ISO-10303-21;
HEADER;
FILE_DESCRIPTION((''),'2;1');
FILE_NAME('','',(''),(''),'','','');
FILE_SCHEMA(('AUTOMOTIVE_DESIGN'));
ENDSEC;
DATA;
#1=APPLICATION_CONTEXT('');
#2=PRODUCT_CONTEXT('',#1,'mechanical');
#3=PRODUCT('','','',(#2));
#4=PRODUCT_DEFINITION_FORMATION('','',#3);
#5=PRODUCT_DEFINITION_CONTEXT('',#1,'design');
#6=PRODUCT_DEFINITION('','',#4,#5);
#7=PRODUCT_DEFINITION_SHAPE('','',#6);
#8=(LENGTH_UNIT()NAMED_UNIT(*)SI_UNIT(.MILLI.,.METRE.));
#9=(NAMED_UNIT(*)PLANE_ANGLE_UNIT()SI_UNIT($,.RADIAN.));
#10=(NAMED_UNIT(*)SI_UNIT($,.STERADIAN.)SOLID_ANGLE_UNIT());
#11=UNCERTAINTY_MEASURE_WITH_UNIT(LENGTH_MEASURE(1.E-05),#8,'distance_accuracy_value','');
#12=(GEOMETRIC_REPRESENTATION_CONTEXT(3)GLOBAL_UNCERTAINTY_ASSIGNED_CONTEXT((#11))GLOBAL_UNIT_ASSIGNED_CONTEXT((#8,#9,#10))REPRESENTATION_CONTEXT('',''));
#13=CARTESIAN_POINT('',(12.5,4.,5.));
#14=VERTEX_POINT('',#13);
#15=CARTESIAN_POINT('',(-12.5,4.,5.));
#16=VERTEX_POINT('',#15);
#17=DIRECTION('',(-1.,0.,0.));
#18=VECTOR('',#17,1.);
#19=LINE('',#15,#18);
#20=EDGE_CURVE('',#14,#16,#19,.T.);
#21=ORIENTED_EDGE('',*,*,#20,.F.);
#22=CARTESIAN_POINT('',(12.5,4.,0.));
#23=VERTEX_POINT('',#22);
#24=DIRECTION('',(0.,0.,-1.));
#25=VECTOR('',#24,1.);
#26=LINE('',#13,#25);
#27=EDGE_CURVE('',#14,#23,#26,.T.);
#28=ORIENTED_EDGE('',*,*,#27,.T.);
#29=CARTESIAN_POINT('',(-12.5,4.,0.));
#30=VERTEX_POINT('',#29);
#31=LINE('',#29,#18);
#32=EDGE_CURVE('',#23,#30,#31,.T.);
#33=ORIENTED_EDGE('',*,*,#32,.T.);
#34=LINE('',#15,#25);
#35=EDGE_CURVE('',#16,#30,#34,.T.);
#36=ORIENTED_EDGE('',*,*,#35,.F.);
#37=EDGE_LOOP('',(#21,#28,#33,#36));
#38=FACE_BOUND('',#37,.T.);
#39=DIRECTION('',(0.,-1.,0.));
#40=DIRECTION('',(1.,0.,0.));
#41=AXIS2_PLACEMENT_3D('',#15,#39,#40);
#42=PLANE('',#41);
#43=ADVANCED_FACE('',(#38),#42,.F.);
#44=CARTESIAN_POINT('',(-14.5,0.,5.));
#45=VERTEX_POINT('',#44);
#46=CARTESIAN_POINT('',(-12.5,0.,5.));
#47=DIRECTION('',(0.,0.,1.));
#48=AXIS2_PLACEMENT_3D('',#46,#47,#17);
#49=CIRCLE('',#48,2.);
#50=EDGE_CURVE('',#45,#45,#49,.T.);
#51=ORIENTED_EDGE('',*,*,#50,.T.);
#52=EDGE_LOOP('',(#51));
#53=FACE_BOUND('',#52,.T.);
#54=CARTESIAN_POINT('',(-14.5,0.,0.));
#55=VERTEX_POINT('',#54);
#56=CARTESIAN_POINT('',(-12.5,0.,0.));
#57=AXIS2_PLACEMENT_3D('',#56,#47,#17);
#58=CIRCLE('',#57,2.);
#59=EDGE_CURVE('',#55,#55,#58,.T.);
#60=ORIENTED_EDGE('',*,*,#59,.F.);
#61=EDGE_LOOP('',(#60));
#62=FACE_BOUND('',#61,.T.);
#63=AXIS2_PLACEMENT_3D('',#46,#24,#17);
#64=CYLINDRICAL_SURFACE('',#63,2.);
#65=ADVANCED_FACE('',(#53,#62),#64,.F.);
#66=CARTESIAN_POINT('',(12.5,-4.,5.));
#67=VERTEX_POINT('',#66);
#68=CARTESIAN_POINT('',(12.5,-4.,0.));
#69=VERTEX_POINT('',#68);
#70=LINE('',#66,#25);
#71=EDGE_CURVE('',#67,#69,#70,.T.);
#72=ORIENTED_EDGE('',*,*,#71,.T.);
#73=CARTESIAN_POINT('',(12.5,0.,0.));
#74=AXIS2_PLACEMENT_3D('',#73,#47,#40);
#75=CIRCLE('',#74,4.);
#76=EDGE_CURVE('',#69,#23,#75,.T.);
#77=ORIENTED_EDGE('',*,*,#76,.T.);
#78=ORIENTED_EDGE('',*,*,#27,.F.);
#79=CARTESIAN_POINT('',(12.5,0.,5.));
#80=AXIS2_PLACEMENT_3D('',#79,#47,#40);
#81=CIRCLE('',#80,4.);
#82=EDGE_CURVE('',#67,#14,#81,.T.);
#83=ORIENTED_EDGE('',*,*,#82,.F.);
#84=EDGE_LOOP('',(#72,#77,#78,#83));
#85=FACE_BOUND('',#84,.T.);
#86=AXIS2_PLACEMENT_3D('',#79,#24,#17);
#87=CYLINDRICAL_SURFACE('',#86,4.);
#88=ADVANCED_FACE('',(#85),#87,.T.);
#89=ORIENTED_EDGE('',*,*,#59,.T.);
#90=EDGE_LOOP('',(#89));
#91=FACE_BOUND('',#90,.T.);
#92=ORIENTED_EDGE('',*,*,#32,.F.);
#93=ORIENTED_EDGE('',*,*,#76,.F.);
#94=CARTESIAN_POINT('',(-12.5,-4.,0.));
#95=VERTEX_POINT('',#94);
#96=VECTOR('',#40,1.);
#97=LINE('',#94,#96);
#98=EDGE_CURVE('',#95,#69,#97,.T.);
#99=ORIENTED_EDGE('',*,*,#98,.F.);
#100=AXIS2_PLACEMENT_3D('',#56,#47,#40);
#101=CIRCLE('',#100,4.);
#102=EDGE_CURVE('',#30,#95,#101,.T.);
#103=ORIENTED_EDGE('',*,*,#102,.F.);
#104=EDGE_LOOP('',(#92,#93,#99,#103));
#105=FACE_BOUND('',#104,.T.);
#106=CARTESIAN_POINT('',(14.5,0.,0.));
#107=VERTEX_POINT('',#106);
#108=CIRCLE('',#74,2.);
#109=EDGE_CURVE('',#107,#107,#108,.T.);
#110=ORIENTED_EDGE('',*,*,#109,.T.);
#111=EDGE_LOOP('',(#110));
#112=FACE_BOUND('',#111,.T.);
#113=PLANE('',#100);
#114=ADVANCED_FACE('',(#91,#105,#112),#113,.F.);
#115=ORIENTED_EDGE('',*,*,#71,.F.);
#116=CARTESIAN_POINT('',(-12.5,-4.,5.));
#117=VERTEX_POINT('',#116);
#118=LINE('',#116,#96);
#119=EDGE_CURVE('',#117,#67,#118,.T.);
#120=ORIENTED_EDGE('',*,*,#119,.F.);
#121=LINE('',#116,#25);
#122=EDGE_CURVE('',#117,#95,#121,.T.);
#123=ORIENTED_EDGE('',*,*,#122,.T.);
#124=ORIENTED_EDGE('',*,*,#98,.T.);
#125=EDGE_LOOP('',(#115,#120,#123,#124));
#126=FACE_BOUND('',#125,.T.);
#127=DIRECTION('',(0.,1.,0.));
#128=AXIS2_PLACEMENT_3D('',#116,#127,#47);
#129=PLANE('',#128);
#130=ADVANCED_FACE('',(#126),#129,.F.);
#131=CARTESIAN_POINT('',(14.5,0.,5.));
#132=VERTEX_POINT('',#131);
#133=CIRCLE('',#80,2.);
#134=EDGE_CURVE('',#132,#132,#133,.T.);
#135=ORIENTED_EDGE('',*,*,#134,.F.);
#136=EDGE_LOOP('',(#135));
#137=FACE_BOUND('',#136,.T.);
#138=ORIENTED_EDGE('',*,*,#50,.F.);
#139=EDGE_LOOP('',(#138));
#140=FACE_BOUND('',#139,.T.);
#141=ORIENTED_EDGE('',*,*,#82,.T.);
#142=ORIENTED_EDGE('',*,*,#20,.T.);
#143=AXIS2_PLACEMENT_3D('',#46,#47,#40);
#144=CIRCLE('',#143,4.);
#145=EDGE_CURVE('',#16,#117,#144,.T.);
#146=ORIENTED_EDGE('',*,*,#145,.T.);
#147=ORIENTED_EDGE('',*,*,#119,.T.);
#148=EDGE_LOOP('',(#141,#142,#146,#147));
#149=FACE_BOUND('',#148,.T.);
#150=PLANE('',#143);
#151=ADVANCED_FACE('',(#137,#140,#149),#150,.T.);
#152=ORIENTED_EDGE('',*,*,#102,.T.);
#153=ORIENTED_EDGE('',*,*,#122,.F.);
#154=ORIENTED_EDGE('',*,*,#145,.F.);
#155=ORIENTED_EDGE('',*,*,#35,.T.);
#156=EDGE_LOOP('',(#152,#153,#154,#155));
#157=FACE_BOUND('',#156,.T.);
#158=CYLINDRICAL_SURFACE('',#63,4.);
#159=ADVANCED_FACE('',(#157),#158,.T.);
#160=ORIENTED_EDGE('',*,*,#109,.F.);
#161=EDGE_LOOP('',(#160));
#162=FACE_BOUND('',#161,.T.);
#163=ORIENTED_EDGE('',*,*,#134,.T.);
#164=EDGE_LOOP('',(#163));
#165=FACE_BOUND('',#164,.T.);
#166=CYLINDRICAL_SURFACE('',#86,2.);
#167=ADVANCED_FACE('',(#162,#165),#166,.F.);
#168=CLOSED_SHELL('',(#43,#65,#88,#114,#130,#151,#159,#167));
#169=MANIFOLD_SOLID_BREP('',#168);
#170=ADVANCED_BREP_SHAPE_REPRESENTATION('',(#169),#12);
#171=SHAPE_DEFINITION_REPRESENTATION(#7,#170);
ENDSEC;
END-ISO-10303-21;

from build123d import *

# Parameters (mm, degrees)
SKETCH1_R           = 2
BOSS_EXTRUDE1_DEPTH = 5


with BuildPart() as part:
    # Sketch1 → Boss-Extrude1 (new body)
    with BuildSketch(Plane.XY):
        with BuildLine():
            Line((-12.5, 4), (12.5, 4))
            ThreePointArc((12.5, 4), (16.5, 0), (12.5, -4))
            Line((12.5, -4), (-12.5, -4))
            ThreePointArc((-12.5, -4), (-16.5, 0), (-12.5, 4))
        make_face()
        with Locations((12.5, 0)):
            Circle(SKETCH1_R, mode=Mode.SUBTRACT)
        with Locations(Location((-12.5, 0, 0), (0, 0, 180))):
            Circle(SKETCH1_R, mode=Mode.SUBTRACT)
    extrude(amount=BOSS_EXTRUDE1_DEPTH)


solid = part.part
